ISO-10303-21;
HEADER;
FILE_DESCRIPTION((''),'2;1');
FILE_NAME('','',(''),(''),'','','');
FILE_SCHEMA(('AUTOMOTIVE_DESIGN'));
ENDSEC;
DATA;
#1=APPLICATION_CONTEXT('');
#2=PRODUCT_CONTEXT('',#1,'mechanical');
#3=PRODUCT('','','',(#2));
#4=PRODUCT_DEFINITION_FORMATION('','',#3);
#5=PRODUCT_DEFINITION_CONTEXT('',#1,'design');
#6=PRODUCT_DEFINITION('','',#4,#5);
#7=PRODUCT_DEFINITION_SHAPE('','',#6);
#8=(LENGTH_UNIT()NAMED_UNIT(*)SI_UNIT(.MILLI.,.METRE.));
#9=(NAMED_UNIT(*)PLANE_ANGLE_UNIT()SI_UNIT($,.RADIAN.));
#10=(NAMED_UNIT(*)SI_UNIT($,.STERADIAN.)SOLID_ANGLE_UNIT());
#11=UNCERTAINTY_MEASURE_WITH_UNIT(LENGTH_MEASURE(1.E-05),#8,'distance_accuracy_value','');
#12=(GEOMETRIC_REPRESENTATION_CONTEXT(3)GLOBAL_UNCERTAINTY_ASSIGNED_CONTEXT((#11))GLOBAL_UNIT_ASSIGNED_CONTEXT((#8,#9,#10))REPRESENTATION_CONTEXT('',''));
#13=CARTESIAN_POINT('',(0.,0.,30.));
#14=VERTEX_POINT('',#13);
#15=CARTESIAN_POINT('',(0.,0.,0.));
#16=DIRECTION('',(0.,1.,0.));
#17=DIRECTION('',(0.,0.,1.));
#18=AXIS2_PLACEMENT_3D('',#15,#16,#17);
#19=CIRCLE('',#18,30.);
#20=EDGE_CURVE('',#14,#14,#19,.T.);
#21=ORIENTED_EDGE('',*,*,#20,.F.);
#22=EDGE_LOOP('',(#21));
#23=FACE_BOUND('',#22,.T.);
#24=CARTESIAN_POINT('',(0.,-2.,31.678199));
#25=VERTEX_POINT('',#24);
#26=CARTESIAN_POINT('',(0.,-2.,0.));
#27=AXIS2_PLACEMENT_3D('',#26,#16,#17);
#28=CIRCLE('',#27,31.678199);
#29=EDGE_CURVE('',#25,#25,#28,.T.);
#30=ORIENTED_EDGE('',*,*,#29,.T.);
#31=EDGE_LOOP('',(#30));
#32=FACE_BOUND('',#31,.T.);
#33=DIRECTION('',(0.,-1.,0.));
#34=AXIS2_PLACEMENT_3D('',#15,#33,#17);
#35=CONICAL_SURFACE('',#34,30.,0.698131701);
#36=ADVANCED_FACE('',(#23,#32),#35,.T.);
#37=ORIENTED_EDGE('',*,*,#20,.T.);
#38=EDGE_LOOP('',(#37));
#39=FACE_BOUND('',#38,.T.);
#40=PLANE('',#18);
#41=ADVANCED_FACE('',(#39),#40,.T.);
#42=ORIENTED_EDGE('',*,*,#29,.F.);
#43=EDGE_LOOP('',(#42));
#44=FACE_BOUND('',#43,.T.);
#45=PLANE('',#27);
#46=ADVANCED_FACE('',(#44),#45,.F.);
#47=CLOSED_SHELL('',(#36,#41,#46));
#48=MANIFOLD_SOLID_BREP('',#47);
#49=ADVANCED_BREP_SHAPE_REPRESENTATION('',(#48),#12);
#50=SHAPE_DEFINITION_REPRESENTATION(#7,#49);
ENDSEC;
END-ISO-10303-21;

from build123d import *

# Parameters (mm, degrees)
SKETCH4_R           = 30
BOSS_EXTRUDE1_DEPTH = 2
BOSS_EXTRUDE1_DRAFT = 40


with BuildPart() as part:
    # Sketch4 → Boss-Extrude1 (with draft: the straight prism first)
    with BuildSketch(Plane(origin=(0, 0, 0), x_dir=(1, 0, 0), z_dir=(0, 1, 0))):
        Circle(SKETCH4_R)
    extrude(amount=-BOSS_EXTRUDE1_DEPTH)
    # Boss-Extrude1: the draft: its side faces are tilted about the plane it starts from
    boss_extrude1_sides = [part.faces().sort_by_distance(p)[0] for p in [
        (-30, -1, 0),
    ]]
    draft(boss_extrude1_sides, Plane(origin=(0, 0, 0), x_dir=(1, 0, 0), z_dir=(0, 1, 0)), BOSS_EXTRUDE1_DRAFT)


solid = part.part
